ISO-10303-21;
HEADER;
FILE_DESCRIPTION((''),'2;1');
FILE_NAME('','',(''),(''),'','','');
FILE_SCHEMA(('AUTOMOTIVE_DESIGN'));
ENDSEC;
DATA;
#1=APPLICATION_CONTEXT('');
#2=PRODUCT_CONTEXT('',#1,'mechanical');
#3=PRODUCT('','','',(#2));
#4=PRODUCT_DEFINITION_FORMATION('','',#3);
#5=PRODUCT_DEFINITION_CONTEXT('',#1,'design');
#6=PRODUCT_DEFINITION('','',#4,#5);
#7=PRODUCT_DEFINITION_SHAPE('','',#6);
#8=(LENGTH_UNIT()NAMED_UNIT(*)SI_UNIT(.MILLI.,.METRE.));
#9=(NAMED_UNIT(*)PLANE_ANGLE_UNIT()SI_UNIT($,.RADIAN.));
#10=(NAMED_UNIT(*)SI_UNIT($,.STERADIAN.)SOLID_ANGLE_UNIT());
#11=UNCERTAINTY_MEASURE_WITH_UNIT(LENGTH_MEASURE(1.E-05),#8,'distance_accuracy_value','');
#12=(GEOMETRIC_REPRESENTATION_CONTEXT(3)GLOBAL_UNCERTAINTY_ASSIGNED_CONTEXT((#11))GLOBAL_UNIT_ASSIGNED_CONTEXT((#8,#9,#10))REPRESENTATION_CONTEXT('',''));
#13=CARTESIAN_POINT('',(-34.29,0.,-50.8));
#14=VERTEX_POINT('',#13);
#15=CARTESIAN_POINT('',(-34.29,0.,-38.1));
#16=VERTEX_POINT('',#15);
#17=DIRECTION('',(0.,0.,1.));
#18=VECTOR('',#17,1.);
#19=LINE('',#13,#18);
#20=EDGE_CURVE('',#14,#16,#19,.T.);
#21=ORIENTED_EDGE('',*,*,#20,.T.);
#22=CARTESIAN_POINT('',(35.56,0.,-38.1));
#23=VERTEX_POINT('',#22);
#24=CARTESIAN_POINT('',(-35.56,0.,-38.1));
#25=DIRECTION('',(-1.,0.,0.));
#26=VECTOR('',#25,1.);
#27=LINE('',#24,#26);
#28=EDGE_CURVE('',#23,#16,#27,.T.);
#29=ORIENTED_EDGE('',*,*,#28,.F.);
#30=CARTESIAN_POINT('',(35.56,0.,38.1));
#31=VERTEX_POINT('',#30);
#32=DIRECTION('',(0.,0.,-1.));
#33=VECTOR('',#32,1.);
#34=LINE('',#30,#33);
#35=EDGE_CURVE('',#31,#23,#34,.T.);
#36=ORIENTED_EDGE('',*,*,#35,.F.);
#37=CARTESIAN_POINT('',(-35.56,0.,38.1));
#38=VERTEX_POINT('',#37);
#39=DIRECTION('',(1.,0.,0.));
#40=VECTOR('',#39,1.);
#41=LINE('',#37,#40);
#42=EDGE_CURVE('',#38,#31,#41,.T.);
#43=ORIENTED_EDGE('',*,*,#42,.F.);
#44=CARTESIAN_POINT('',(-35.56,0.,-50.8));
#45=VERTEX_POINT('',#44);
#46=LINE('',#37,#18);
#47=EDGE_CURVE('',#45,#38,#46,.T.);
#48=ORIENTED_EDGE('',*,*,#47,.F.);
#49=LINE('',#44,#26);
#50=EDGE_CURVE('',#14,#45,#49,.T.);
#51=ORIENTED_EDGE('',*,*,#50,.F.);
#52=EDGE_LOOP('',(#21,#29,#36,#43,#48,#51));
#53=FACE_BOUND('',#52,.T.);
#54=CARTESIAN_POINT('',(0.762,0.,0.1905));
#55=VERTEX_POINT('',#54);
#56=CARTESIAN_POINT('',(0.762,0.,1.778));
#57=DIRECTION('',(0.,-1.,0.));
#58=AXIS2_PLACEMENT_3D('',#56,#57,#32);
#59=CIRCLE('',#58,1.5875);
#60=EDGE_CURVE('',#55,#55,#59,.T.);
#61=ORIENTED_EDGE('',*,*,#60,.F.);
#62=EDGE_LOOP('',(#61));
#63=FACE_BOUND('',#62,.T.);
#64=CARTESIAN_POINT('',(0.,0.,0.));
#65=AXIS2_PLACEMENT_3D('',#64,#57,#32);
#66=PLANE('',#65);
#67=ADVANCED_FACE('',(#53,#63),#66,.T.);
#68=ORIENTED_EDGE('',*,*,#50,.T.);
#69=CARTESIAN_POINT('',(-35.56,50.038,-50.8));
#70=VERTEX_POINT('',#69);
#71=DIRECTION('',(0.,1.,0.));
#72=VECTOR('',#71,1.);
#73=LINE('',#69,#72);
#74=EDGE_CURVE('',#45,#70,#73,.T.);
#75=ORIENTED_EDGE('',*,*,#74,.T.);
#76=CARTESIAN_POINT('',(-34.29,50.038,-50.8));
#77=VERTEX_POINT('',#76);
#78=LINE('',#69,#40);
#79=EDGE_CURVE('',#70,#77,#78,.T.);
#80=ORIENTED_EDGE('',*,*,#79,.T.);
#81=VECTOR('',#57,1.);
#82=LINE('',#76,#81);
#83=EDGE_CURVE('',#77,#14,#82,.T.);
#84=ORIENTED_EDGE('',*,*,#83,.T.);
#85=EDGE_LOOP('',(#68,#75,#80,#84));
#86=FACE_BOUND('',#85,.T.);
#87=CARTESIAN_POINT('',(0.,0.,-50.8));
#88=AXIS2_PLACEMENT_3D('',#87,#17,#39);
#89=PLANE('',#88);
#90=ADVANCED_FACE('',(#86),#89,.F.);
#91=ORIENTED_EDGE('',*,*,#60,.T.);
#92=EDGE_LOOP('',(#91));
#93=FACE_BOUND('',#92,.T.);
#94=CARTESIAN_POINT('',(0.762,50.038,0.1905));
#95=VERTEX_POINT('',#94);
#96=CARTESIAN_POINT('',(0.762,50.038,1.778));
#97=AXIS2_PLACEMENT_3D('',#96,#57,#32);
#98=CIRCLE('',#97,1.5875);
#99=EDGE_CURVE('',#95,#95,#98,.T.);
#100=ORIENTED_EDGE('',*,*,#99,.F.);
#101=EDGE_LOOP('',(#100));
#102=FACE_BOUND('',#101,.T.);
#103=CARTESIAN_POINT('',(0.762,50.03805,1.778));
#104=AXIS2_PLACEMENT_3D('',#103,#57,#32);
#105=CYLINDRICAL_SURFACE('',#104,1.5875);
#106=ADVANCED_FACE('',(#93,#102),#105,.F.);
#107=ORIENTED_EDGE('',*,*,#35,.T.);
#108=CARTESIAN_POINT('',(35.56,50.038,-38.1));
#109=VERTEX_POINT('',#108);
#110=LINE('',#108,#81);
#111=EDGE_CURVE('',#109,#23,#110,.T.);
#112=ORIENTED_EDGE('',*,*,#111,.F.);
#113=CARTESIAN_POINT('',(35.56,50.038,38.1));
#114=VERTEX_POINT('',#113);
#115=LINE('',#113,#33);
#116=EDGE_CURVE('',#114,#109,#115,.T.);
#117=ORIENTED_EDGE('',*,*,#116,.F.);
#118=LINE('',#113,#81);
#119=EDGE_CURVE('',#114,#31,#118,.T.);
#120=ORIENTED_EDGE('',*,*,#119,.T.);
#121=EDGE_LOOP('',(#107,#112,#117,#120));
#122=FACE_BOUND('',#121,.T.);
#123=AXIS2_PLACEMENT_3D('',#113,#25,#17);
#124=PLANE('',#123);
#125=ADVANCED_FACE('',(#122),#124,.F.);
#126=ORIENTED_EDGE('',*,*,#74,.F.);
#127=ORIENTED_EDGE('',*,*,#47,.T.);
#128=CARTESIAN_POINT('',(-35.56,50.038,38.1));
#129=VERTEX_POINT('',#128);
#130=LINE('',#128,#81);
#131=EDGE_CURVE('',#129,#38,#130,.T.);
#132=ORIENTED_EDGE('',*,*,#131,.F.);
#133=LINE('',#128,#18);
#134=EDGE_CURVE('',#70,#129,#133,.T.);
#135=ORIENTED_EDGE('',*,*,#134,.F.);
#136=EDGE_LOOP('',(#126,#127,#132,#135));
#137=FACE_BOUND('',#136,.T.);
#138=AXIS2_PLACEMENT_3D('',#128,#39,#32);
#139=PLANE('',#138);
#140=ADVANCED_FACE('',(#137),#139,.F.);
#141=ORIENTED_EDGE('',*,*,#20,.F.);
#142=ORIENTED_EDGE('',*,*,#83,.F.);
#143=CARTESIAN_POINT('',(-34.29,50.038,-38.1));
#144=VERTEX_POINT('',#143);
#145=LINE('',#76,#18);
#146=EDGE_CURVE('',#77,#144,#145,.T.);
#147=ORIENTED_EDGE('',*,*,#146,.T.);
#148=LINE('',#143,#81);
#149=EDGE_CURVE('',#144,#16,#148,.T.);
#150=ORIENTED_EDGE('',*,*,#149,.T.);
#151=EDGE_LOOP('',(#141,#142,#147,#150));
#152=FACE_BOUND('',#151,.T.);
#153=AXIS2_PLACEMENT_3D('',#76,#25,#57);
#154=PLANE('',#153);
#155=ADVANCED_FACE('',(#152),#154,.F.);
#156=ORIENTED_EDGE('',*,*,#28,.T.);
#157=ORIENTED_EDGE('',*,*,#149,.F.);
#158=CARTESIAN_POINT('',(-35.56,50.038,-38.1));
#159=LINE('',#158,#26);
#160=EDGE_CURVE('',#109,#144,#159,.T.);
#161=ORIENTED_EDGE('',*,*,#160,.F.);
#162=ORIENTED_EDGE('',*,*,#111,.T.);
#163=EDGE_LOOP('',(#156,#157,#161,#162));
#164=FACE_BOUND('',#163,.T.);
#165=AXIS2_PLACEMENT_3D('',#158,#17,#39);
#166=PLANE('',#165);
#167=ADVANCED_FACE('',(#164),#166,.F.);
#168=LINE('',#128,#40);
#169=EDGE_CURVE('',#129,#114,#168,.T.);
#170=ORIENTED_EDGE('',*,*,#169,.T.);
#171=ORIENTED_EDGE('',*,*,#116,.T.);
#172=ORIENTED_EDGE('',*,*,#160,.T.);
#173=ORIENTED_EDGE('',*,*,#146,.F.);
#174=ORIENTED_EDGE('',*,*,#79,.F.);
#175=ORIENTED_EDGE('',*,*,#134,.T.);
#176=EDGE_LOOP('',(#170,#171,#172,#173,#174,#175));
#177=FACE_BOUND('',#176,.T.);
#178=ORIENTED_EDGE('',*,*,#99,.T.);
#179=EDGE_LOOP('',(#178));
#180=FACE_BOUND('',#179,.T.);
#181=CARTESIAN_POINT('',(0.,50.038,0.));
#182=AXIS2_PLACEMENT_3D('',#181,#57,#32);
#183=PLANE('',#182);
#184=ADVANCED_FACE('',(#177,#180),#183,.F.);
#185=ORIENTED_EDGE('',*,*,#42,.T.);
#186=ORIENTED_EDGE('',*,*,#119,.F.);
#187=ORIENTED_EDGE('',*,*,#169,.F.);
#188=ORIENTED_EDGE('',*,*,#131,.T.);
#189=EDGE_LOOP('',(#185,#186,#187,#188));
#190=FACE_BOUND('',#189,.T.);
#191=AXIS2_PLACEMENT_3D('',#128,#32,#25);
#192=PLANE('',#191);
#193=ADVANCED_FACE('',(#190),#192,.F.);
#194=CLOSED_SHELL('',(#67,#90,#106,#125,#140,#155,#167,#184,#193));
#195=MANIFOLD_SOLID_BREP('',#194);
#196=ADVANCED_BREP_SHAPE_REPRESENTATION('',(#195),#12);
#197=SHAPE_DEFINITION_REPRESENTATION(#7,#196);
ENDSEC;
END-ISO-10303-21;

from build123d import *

# Parameters (mm, degrees)
SKETCH1_W           = 71.12
SKETCH1_H           = 76.2
BOSS_EXTRUDE1_DEPTH = 50.038
SKETCH2_W           = 1.27
SKETCH2_H           = 50.038
BOSS_EXTRUDE2_DEPTH = 12.7
SKETCH3_R           = 1.5875
CUT_EXTRUDE1_DEPTH  = 80.680330346


with BuildPart() as part:
    # Sketch1 → Boss-Extrude1 (new body)
    with BuildSketch(Plane(origin=(0, 0, 0), x_dir=(1, 0, 0), z_dir=(0, 1, 0))):
        Rectangle(SKETCH1_W, SKETCH1_H)
    extrude(amount=BOSS_EXTRUDE1_DEPTH)

    # Sketch2 → Boss-Extrude2 (add)
    with BuildSketch(Plane(origin=(0, 0, -38.1), x_dir=(-1, 0, 0), z_dir=(0, 0, -1))):
        with Locations((34.925, 25.019)):
            Rectangle(SKETCH2_W, SKETCH2_H)
    extrude(amount=BOSS_EXTRUDE2_DEPTH)

    # Sketch3 → Cut-Extrude1 (cut, through all)
    with BuildSketch(Plane.XZ):
        with Locations(Location((0.762, 1.778, 0), (0, 0, 270))):
            Circle(SKETCH3_R)
    extrude(amount=-CUT_EXTRUDE1_DEPTH, mode=Mode.SUBTRACT)


solid = part.part
